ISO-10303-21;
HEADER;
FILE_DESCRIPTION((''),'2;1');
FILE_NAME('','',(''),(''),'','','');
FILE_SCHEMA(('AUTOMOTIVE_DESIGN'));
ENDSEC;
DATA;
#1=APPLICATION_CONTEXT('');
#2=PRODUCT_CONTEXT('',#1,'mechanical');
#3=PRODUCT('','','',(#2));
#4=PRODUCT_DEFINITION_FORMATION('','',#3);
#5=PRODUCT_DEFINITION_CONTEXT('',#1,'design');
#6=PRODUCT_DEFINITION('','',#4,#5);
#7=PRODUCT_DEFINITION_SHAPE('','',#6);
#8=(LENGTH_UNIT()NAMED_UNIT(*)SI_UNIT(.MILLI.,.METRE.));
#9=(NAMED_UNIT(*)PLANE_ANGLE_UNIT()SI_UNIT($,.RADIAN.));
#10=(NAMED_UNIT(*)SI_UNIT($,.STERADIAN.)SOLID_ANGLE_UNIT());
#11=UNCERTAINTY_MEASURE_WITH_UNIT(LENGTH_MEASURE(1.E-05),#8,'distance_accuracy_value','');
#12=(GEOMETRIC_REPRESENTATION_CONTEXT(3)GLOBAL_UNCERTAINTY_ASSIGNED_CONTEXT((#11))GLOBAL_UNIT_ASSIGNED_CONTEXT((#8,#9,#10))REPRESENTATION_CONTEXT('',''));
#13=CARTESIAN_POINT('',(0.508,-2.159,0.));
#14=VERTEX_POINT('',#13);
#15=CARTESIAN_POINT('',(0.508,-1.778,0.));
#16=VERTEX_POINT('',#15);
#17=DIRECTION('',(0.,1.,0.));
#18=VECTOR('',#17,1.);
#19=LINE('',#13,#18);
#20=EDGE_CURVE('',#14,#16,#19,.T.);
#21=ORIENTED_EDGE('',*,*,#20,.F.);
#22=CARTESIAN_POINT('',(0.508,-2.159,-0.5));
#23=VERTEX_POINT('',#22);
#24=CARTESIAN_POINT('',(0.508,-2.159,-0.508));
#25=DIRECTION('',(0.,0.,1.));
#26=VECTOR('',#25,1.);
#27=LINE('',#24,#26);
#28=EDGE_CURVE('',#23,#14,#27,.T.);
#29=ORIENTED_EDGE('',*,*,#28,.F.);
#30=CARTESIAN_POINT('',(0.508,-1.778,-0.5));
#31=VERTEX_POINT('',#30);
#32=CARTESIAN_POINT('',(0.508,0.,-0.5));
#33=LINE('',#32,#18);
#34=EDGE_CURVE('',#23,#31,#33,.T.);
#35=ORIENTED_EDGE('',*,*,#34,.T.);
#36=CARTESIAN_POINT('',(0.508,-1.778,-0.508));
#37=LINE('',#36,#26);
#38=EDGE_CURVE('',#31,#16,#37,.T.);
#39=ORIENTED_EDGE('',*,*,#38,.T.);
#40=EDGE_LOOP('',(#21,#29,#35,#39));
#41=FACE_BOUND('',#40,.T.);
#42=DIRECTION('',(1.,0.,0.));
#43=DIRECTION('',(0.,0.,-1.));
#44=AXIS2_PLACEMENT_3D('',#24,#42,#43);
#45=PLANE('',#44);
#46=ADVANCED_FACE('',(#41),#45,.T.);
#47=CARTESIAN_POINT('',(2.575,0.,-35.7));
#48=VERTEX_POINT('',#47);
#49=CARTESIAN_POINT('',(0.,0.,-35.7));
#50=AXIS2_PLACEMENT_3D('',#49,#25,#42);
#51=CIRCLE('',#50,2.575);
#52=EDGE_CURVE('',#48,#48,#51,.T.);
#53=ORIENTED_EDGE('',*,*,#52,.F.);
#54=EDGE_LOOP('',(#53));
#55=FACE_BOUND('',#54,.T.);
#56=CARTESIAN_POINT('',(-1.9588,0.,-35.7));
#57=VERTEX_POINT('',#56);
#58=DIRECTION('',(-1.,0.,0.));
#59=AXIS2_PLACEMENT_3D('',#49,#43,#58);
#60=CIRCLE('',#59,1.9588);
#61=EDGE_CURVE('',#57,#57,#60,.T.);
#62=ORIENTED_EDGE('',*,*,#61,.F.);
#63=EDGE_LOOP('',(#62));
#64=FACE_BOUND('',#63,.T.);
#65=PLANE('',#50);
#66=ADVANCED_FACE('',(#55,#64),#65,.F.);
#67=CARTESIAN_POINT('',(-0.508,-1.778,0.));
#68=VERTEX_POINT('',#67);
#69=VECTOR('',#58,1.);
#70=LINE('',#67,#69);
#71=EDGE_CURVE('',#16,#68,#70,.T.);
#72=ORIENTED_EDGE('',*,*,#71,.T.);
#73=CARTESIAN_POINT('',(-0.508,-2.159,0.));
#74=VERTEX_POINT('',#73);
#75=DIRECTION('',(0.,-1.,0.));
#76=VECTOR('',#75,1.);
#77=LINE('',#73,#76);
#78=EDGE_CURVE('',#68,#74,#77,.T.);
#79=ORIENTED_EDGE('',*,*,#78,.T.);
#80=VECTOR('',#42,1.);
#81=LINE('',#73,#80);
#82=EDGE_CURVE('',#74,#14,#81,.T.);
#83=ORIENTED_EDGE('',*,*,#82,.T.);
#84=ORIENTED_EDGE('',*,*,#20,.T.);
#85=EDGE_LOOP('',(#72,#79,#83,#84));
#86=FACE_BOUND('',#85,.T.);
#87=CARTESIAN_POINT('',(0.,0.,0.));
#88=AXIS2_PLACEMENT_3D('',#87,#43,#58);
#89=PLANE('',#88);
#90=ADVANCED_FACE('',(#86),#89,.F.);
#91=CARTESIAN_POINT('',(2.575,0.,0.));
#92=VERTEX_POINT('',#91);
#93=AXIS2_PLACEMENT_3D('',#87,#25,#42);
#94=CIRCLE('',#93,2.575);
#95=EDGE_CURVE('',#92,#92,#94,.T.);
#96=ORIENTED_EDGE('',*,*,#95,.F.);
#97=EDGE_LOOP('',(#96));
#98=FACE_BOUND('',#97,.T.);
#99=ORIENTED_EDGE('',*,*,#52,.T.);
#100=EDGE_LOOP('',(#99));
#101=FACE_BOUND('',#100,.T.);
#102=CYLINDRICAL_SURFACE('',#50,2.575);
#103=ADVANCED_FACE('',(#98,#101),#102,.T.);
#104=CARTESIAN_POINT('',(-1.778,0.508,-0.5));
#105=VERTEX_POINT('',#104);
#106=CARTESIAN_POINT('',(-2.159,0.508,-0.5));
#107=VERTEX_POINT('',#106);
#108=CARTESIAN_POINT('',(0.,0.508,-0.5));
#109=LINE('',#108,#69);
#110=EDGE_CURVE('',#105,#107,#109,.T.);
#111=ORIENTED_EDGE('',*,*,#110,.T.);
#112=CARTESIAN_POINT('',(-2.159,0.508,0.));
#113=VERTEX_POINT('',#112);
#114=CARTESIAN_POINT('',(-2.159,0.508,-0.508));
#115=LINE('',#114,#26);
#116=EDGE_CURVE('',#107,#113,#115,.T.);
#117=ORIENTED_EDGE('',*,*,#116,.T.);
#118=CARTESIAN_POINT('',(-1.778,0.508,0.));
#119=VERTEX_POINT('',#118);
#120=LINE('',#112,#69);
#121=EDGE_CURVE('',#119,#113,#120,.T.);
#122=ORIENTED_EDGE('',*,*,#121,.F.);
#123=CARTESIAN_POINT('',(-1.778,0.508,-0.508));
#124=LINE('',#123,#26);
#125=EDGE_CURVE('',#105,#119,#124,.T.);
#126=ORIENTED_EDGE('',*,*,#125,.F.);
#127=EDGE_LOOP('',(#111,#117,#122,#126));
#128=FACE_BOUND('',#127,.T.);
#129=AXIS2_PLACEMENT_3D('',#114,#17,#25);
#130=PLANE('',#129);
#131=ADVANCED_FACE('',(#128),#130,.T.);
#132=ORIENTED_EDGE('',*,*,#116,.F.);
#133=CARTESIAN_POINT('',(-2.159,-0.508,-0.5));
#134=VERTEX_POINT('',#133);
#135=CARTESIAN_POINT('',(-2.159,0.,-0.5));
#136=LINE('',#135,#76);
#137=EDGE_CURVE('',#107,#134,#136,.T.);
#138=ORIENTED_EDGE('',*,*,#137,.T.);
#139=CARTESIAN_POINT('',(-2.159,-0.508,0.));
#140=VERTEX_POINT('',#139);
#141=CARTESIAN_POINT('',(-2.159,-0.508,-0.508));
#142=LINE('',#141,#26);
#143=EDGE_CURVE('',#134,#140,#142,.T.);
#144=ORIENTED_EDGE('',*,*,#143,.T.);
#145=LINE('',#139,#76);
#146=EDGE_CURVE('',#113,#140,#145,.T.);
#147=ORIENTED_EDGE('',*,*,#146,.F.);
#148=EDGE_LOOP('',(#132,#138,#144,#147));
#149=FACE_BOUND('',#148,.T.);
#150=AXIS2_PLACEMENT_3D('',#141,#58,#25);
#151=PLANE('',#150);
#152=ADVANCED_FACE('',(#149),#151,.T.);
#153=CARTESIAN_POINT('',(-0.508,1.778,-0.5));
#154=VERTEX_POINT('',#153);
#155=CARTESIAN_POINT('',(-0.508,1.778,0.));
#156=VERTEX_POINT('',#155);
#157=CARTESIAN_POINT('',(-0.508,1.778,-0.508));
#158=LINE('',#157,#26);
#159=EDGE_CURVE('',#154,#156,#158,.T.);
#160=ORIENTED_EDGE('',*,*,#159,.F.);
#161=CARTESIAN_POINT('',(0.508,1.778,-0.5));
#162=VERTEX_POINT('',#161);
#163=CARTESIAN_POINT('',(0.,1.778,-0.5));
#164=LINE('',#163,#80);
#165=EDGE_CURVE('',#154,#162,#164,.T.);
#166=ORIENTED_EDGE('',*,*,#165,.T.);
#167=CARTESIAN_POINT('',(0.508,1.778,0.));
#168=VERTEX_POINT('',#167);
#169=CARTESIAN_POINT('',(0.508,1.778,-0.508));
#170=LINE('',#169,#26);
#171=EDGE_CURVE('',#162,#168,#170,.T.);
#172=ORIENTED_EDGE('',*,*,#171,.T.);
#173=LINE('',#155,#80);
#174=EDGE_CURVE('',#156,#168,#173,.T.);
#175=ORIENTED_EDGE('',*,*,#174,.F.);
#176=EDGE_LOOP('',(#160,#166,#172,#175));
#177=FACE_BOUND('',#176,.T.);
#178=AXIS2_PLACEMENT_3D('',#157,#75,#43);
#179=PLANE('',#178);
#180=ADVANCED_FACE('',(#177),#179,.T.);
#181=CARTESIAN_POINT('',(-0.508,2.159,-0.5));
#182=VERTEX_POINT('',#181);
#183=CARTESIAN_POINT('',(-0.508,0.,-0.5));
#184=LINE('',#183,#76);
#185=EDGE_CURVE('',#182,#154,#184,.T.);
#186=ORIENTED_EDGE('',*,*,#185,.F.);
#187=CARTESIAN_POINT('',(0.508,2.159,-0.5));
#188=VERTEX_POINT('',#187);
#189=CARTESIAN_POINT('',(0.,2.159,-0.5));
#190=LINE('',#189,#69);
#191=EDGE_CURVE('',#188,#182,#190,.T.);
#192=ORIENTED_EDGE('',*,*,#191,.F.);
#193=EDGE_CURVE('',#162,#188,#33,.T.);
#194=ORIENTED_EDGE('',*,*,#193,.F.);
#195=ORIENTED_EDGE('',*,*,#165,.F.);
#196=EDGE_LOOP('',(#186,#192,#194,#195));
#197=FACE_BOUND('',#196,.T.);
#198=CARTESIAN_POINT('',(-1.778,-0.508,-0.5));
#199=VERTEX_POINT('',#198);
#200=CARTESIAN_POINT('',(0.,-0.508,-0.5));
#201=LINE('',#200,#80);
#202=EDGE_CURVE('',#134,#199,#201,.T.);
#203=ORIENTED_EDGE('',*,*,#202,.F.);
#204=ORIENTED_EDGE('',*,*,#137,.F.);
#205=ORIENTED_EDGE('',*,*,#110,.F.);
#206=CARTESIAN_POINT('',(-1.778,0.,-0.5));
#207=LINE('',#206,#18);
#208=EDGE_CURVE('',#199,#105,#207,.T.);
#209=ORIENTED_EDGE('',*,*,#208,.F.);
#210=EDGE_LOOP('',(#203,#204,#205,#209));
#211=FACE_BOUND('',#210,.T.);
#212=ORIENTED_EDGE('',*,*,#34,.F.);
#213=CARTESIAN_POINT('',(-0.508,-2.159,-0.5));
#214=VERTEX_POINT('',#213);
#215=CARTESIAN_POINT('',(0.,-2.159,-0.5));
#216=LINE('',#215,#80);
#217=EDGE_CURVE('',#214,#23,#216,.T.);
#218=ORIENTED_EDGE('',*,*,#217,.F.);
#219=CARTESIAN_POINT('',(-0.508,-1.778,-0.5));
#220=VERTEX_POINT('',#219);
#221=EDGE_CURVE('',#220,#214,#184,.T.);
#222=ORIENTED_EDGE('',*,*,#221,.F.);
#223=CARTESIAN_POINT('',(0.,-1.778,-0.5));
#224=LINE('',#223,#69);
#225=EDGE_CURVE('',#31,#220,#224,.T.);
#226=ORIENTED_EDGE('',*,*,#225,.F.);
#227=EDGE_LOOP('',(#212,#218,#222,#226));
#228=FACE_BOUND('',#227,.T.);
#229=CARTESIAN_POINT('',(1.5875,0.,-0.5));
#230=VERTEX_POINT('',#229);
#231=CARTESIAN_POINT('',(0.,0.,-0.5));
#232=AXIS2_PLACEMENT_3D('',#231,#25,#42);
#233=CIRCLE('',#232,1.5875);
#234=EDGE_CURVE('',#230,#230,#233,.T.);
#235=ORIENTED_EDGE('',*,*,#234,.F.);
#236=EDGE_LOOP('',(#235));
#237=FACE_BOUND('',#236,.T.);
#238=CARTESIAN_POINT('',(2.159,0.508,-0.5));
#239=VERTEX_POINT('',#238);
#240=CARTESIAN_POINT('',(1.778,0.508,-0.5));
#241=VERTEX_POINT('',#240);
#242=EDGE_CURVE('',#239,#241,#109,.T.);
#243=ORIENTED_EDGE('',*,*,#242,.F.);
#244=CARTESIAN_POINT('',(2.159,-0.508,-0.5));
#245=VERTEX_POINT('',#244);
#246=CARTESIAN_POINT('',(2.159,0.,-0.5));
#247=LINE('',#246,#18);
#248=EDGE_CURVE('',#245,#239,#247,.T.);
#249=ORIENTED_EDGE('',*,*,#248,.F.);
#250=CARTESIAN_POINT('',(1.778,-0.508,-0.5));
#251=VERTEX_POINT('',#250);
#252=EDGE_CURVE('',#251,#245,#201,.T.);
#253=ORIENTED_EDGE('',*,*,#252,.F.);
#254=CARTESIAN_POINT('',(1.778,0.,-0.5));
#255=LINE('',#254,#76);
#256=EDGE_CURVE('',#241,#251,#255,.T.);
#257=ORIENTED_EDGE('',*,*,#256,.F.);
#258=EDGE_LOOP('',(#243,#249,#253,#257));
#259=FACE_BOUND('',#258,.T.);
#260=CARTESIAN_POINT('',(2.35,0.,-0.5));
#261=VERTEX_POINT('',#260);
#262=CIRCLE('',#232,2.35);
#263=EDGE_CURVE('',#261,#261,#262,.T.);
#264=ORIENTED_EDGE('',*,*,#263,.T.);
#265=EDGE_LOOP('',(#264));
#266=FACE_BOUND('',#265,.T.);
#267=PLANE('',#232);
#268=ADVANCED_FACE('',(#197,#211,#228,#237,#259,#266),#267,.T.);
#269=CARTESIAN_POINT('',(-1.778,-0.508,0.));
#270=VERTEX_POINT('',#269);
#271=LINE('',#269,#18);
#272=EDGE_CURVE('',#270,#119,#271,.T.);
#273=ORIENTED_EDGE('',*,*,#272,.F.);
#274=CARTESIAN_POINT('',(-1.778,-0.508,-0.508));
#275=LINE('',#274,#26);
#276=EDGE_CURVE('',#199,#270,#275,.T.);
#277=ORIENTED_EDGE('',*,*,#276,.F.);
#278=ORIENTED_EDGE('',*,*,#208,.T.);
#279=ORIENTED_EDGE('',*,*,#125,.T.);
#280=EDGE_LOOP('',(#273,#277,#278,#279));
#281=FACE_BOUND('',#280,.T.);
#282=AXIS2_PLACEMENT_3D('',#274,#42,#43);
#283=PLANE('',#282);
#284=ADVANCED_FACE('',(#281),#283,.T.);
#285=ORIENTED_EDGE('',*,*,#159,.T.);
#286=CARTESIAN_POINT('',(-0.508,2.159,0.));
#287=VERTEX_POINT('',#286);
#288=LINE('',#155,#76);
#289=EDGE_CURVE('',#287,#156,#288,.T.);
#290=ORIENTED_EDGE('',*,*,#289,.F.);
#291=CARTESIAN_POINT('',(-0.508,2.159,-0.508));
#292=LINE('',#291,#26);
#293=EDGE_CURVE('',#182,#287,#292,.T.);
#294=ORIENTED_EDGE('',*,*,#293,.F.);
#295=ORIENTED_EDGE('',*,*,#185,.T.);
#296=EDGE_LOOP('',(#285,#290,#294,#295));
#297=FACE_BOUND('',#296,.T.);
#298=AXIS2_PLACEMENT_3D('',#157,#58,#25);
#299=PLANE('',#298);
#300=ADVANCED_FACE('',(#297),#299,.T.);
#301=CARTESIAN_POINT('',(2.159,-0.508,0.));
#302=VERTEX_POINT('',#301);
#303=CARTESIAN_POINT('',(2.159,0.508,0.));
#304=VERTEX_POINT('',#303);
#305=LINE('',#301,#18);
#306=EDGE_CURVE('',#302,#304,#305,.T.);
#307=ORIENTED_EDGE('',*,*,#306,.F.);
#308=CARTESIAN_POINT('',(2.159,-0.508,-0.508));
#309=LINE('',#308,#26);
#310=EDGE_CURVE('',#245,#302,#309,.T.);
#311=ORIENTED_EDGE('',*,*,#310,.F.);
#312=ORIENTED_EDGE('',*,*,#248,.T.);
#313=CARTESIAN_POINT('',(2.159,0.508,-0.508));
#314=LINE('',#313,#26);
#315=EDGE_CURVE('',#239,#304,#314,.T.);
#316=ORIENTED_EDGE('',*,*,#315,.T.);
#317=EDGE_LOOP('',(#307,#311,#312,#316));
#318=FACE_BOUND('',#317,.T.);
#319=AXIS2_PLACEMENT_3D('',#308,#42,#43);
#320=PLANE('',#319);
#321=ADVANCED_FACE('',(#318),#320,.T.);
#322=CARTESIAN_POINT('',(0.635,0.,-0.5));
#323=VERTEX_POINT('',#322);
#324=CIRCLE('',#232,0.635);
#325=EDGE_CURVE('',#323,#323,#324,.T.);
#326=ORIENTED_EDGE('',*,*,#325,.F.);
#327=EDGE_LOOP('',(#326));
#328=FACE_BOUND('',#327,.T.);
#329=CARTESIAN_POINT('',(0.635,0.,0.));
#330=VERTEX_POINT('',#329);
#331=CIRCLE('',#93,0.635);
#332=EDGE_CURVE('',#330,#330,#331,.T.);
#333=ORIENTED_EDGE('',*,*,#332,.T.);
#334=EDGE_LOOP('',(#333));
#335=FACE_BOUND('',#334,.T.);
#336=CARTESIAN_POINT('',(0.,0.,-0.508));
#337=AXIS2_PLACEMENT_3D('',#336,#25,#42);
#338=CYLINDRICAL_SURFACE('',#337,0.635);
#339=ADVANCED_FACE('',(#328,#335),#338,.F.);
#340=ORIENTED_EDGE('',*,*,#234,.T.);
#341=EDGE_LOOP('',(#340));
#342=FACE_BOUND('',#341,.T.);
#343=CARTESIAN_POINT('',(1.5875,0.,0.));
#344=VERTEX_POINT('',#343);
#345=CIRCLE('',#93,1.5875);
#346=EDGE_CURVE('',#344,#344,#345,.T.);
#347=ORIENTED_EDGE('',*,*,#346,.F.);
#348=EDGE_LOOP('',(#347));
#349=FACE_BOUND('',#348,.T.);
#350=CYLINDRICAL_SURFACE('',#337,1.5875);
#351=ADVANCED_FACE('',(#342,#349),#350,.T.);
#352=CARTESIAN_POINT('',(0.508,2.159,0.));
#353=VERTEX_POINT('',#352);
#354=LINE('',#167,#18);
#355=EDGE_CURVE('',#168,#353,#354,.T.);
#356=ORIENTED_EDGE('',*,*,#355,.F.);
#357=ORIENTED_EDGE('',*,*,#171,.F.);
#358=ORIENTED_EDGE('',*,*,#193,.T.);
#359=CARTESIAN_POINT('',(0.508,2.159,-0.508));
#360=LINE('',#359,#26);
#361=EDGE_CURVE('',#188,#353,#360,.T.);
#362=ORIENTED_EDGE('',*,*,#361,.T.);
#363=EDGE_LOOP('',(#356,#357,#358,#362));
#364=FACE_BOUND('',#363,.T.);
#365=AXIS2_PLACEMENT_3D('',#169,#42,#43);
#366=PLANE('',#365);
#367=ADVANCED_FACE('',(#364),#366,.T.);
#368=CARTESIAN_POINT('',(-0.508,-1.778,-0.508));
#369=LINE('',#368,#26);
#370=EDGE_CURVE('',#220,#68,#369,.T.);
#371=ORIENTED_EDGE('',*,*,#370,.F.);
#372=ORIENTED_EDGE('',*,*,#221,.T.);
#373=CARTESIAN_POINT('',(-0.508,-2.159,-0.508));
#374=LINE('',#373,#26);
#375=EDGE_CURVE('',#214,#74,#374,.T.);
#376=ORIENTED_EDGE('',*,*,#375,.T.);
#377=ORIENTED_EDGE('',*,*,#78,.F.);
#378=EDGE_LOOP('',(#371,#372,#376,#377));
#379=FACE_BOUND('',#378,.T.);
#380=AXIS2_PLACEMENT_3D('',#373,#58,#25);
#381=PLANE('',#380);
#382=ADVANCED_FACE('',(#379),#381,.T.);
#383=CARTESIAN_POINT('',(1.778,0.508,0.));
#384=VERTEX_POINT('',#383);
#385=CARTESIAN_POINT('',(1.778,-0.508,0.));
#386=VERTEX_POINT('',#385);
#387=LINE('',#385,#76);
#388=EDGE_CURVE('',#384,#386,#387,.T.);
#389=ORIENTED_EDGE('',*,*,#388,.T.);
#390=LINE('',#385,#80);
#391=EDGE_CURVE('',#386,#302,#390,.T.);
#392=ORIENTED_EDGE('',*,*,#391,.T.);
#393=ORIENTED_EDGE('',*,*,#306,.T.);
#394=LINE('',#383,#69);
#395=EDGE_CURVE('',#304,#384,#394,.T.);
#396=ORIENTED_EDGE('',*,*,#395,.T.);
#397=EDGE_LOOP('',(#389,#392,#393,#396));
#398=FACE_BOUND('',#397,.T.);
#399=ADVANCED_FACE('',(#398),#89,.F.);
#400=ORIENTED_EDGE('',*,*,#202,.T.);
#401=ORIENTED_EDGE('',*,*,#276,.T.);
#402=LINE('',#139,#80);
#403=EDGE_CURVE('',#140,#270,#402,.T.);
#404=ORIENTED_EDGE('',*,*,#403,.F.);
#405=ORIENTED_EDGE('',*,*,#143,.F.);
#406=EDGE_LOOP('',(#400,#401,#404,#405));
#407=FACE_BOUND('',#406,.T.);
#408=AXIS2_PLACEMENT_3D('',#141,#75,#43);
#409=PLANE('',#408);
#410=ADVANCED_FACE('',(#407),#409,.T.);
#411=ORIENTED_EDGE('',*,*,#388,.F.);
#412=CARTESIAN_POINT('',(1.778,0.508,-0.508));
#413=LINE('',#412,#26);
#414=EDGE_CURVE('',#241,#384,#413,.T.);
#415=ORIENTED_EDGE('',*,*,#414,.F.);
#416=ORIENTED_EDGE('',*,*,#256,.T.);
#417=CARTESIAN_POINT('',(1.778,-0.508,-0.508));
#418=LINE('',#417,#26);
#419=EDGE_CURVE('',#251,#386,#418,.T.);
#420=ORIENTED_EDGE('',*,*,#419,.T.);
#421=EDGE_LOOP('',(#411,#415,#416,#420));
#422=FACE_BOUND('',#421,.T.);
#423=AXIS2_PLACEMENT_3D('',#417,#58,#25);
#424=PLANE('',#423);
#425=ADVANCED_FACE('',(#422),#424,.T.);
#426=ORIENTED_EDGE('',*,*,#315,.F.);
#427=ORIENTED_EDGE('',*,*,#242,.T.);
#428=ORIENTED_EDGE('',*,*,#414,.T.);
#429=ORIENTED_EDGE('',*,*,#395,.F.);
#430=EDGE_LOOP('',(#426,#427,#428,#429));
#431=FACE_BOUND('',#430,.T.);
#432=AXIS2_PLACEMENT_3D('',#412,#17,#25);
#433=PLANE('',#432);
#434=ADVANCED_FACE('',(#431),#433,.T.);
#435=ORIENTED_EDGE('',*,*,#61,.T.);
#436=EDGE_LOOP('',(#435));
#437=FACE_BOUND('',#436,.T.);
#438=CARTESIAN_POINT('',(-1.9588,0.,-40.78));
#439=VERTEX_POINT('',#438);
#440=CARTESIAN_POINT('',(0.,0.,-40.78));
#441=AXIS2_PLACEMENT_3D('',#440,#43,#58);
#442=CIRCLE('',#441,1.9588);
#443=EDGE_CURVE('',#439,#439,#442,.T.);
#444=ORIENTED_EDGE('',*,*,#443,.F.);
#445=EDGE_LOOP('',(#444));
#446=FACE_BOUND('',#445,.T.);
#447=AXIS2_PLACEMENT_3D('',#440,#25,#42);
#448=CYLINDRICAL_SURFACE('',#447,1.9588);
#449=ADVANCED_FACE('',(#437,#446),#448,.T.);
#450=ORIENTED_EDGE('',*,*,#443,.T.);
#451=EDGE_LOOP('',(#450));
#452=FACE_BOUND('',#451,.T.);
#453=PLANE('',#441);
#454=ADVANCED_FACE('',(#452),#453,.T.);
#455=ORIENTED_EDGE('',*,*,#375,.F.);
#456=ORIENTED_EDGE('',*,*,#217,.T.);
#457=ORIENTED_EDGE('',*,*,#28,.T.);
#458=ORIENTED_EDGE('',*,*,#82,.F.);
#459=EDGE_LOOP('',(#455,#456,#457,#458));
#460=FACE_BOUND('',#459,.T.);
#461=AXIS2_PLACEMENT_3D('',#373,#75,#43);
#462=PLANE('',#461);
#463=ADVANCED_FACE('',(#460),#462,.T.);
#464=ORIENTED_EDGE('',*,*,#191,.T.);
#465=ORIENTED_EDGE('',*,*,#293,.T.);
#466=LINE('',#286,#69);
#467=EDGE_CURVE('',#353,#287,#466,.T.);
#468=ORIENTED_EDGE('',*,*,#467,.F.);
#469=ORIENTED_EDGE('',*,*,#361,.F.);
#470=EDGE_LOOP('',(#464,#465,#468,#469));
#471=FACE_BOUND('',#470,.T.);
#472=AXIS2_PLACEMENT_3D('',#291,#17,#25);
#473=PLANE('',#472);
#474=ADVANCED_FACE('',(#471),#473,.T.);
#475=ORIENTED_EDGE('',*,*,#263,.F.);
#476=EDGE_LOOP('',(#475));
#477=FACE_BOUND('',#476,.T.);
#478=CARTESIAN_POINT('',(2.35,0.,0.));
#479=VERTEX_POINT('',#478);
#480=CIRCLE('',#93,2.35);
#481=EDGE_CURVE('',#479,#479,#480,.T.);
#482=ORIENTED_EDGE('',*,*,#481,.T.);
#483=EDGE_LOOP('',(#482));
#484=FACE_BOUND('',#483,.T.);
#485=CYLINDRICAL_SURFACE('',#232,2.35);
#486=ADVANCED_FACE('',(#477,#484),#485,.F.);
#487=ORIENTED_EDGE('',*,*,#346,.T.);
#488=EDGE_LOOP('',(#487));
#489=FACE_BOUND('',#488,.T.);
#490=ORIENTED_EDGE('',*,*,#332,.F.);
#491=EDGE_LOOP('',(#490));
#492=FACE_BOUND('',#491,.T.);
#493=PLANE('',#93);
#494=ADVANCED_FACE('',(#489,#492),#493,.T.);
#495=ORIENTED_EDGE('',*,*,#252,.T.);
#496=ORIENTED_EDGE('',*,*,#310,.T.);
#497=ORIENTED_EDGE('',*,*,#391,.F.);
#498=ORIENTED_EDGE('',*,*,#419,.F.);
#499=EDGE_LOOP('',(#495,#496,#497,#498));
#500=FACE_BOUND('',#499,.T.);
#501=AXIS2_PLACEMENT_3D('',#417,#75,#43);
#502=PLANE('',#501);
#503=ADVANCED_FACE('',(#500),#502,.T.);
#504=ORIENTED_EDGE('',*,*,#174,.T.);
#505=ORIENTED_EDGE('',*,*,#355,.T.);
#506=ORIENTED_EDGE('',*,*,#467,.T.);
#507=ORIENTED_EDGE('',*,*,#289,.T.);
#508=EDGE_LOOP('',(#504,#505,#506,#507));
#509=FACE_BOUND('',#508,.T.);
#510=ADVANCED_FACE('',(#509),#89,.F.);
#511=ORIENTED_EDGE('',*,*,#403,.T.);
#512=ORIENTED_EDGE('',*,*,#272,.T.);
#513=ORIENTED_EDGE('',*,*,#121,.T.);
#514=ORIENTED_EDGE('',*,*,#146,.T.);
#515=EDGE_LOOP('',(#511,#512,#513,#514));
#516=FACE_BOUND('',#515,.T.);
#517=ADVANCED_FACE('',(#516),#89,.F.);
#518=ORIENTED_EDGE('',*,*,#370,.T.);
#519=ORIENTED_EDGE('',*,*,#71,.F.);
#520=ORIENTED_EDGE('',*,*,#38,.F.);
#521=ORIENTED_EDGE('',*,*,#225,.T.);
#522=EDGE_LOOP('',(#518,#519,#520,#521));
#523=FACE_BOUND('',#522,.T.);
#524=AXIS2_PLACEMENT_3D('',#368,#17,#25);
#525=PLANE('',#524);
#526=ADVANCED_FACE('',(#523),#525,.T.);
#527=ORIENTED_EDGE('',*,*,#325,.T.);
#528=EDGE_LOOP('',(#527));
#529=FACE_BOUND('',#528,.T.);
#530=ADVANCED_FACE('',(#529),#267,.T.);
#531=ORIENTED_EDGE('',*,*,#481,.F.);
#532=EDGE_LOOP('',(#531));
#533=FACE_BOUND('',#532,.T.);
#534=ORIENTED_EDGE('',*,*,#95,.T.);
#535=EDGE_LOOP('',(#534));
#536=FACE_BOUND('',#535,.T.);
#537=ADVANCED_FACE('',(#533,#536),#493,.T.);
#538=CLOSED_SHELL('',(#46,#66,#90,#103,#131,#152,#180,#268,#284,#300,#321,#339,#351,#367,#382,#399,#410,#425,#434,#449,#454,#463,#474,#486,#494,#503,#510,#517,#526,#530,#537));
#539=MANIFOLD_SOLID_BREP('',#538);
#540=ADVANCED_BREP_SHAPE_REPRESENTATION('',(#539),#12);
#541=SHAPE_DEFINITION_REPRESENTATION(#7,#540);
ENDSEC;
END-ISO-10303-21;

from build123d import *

# Parameters (mm, degrees)
SKETCH1_R           = 2.575
BOSS_EXTRUDE1_DEPTH = 35.7
SKETCH2_R           = 2.35
CUT_EXTRUDE1_DEPTH  = 0.5
SKETCH5_R           = 1.5875
SKETCH5_R_2         = 0.635
BOSS_EXTRUDE2_DEPTH = 0.508
SKETCH6_W           = 1.016
SKETCH6_H           = 0.381
SKETCH6_W_2         = 0.381
SKETCH6_H_2         = 1.016
BOSS_EXTRUDE3_DEPTH = 0.508
SKETCH7_R           = 1.9588
BOSS_EXTRUDE4_DEPTH = 5.08


with BuildPart() as part:
    # Sketch1 → Boss-Extrude1 (new body)
    with BuildSketch(Plane.XY):
        Circle(SKETCH1_R)
    extrude(amount=-BOSS_EXTRUDE1_DEPTH)

    # Sketch2 → Cut-Extrude1 (cut)
    with BuildSketch(Plane.XY):
        Circle(SKETCH2_R)
    extrude(amount=-CUT_EXTRUDE1_DEPTH, mode=Mode.SUBTRACT)

    # Sketch5 → Boss-Extrude2 (add)
    with BuildSketch(Plane.XY):
        Circle(SKETCH5_R)
        Circle(SKETCH5_R_2, mode=Mode.SUBTRACT)
    extrude(amount=-BOSS_EXTRUDE2_DEPTH)

    # Sketch6 → Boss-Extrude3 (add)
    with BuildSketch(Plane.XY):
        with Locations((0, 1.9685)):
            Rectangle(SKETCH6_W, SKETCH6_H)
        with Locations((0, -1.9685)):
            Rectangle(SKETCH6_W, SKETCH6_H)
        with Locations((-1.9685, 0)):
            Rectangle(SKETCH6_W_2, SKETCH6_H_2)
        with Locations((1.9685, 0)):
            Rectangle(SKETCH6_W_2, SKETCH6_H_2)
    extrude(amount=-BOSS_EXTRUDE3_DEPTH)

    # Sketch7 → Boss-Extrude4 (add)
    with BuildSketch(Plane(origin=(0, 0, -35.7), x_dir=(-1, 0, 0), z_dir=(0, 0, -1))):
        Circle(SKETCH7_R)
    extrude(amount=BOSS_EXTRUDE4_DEPTH)


solid = part.part
